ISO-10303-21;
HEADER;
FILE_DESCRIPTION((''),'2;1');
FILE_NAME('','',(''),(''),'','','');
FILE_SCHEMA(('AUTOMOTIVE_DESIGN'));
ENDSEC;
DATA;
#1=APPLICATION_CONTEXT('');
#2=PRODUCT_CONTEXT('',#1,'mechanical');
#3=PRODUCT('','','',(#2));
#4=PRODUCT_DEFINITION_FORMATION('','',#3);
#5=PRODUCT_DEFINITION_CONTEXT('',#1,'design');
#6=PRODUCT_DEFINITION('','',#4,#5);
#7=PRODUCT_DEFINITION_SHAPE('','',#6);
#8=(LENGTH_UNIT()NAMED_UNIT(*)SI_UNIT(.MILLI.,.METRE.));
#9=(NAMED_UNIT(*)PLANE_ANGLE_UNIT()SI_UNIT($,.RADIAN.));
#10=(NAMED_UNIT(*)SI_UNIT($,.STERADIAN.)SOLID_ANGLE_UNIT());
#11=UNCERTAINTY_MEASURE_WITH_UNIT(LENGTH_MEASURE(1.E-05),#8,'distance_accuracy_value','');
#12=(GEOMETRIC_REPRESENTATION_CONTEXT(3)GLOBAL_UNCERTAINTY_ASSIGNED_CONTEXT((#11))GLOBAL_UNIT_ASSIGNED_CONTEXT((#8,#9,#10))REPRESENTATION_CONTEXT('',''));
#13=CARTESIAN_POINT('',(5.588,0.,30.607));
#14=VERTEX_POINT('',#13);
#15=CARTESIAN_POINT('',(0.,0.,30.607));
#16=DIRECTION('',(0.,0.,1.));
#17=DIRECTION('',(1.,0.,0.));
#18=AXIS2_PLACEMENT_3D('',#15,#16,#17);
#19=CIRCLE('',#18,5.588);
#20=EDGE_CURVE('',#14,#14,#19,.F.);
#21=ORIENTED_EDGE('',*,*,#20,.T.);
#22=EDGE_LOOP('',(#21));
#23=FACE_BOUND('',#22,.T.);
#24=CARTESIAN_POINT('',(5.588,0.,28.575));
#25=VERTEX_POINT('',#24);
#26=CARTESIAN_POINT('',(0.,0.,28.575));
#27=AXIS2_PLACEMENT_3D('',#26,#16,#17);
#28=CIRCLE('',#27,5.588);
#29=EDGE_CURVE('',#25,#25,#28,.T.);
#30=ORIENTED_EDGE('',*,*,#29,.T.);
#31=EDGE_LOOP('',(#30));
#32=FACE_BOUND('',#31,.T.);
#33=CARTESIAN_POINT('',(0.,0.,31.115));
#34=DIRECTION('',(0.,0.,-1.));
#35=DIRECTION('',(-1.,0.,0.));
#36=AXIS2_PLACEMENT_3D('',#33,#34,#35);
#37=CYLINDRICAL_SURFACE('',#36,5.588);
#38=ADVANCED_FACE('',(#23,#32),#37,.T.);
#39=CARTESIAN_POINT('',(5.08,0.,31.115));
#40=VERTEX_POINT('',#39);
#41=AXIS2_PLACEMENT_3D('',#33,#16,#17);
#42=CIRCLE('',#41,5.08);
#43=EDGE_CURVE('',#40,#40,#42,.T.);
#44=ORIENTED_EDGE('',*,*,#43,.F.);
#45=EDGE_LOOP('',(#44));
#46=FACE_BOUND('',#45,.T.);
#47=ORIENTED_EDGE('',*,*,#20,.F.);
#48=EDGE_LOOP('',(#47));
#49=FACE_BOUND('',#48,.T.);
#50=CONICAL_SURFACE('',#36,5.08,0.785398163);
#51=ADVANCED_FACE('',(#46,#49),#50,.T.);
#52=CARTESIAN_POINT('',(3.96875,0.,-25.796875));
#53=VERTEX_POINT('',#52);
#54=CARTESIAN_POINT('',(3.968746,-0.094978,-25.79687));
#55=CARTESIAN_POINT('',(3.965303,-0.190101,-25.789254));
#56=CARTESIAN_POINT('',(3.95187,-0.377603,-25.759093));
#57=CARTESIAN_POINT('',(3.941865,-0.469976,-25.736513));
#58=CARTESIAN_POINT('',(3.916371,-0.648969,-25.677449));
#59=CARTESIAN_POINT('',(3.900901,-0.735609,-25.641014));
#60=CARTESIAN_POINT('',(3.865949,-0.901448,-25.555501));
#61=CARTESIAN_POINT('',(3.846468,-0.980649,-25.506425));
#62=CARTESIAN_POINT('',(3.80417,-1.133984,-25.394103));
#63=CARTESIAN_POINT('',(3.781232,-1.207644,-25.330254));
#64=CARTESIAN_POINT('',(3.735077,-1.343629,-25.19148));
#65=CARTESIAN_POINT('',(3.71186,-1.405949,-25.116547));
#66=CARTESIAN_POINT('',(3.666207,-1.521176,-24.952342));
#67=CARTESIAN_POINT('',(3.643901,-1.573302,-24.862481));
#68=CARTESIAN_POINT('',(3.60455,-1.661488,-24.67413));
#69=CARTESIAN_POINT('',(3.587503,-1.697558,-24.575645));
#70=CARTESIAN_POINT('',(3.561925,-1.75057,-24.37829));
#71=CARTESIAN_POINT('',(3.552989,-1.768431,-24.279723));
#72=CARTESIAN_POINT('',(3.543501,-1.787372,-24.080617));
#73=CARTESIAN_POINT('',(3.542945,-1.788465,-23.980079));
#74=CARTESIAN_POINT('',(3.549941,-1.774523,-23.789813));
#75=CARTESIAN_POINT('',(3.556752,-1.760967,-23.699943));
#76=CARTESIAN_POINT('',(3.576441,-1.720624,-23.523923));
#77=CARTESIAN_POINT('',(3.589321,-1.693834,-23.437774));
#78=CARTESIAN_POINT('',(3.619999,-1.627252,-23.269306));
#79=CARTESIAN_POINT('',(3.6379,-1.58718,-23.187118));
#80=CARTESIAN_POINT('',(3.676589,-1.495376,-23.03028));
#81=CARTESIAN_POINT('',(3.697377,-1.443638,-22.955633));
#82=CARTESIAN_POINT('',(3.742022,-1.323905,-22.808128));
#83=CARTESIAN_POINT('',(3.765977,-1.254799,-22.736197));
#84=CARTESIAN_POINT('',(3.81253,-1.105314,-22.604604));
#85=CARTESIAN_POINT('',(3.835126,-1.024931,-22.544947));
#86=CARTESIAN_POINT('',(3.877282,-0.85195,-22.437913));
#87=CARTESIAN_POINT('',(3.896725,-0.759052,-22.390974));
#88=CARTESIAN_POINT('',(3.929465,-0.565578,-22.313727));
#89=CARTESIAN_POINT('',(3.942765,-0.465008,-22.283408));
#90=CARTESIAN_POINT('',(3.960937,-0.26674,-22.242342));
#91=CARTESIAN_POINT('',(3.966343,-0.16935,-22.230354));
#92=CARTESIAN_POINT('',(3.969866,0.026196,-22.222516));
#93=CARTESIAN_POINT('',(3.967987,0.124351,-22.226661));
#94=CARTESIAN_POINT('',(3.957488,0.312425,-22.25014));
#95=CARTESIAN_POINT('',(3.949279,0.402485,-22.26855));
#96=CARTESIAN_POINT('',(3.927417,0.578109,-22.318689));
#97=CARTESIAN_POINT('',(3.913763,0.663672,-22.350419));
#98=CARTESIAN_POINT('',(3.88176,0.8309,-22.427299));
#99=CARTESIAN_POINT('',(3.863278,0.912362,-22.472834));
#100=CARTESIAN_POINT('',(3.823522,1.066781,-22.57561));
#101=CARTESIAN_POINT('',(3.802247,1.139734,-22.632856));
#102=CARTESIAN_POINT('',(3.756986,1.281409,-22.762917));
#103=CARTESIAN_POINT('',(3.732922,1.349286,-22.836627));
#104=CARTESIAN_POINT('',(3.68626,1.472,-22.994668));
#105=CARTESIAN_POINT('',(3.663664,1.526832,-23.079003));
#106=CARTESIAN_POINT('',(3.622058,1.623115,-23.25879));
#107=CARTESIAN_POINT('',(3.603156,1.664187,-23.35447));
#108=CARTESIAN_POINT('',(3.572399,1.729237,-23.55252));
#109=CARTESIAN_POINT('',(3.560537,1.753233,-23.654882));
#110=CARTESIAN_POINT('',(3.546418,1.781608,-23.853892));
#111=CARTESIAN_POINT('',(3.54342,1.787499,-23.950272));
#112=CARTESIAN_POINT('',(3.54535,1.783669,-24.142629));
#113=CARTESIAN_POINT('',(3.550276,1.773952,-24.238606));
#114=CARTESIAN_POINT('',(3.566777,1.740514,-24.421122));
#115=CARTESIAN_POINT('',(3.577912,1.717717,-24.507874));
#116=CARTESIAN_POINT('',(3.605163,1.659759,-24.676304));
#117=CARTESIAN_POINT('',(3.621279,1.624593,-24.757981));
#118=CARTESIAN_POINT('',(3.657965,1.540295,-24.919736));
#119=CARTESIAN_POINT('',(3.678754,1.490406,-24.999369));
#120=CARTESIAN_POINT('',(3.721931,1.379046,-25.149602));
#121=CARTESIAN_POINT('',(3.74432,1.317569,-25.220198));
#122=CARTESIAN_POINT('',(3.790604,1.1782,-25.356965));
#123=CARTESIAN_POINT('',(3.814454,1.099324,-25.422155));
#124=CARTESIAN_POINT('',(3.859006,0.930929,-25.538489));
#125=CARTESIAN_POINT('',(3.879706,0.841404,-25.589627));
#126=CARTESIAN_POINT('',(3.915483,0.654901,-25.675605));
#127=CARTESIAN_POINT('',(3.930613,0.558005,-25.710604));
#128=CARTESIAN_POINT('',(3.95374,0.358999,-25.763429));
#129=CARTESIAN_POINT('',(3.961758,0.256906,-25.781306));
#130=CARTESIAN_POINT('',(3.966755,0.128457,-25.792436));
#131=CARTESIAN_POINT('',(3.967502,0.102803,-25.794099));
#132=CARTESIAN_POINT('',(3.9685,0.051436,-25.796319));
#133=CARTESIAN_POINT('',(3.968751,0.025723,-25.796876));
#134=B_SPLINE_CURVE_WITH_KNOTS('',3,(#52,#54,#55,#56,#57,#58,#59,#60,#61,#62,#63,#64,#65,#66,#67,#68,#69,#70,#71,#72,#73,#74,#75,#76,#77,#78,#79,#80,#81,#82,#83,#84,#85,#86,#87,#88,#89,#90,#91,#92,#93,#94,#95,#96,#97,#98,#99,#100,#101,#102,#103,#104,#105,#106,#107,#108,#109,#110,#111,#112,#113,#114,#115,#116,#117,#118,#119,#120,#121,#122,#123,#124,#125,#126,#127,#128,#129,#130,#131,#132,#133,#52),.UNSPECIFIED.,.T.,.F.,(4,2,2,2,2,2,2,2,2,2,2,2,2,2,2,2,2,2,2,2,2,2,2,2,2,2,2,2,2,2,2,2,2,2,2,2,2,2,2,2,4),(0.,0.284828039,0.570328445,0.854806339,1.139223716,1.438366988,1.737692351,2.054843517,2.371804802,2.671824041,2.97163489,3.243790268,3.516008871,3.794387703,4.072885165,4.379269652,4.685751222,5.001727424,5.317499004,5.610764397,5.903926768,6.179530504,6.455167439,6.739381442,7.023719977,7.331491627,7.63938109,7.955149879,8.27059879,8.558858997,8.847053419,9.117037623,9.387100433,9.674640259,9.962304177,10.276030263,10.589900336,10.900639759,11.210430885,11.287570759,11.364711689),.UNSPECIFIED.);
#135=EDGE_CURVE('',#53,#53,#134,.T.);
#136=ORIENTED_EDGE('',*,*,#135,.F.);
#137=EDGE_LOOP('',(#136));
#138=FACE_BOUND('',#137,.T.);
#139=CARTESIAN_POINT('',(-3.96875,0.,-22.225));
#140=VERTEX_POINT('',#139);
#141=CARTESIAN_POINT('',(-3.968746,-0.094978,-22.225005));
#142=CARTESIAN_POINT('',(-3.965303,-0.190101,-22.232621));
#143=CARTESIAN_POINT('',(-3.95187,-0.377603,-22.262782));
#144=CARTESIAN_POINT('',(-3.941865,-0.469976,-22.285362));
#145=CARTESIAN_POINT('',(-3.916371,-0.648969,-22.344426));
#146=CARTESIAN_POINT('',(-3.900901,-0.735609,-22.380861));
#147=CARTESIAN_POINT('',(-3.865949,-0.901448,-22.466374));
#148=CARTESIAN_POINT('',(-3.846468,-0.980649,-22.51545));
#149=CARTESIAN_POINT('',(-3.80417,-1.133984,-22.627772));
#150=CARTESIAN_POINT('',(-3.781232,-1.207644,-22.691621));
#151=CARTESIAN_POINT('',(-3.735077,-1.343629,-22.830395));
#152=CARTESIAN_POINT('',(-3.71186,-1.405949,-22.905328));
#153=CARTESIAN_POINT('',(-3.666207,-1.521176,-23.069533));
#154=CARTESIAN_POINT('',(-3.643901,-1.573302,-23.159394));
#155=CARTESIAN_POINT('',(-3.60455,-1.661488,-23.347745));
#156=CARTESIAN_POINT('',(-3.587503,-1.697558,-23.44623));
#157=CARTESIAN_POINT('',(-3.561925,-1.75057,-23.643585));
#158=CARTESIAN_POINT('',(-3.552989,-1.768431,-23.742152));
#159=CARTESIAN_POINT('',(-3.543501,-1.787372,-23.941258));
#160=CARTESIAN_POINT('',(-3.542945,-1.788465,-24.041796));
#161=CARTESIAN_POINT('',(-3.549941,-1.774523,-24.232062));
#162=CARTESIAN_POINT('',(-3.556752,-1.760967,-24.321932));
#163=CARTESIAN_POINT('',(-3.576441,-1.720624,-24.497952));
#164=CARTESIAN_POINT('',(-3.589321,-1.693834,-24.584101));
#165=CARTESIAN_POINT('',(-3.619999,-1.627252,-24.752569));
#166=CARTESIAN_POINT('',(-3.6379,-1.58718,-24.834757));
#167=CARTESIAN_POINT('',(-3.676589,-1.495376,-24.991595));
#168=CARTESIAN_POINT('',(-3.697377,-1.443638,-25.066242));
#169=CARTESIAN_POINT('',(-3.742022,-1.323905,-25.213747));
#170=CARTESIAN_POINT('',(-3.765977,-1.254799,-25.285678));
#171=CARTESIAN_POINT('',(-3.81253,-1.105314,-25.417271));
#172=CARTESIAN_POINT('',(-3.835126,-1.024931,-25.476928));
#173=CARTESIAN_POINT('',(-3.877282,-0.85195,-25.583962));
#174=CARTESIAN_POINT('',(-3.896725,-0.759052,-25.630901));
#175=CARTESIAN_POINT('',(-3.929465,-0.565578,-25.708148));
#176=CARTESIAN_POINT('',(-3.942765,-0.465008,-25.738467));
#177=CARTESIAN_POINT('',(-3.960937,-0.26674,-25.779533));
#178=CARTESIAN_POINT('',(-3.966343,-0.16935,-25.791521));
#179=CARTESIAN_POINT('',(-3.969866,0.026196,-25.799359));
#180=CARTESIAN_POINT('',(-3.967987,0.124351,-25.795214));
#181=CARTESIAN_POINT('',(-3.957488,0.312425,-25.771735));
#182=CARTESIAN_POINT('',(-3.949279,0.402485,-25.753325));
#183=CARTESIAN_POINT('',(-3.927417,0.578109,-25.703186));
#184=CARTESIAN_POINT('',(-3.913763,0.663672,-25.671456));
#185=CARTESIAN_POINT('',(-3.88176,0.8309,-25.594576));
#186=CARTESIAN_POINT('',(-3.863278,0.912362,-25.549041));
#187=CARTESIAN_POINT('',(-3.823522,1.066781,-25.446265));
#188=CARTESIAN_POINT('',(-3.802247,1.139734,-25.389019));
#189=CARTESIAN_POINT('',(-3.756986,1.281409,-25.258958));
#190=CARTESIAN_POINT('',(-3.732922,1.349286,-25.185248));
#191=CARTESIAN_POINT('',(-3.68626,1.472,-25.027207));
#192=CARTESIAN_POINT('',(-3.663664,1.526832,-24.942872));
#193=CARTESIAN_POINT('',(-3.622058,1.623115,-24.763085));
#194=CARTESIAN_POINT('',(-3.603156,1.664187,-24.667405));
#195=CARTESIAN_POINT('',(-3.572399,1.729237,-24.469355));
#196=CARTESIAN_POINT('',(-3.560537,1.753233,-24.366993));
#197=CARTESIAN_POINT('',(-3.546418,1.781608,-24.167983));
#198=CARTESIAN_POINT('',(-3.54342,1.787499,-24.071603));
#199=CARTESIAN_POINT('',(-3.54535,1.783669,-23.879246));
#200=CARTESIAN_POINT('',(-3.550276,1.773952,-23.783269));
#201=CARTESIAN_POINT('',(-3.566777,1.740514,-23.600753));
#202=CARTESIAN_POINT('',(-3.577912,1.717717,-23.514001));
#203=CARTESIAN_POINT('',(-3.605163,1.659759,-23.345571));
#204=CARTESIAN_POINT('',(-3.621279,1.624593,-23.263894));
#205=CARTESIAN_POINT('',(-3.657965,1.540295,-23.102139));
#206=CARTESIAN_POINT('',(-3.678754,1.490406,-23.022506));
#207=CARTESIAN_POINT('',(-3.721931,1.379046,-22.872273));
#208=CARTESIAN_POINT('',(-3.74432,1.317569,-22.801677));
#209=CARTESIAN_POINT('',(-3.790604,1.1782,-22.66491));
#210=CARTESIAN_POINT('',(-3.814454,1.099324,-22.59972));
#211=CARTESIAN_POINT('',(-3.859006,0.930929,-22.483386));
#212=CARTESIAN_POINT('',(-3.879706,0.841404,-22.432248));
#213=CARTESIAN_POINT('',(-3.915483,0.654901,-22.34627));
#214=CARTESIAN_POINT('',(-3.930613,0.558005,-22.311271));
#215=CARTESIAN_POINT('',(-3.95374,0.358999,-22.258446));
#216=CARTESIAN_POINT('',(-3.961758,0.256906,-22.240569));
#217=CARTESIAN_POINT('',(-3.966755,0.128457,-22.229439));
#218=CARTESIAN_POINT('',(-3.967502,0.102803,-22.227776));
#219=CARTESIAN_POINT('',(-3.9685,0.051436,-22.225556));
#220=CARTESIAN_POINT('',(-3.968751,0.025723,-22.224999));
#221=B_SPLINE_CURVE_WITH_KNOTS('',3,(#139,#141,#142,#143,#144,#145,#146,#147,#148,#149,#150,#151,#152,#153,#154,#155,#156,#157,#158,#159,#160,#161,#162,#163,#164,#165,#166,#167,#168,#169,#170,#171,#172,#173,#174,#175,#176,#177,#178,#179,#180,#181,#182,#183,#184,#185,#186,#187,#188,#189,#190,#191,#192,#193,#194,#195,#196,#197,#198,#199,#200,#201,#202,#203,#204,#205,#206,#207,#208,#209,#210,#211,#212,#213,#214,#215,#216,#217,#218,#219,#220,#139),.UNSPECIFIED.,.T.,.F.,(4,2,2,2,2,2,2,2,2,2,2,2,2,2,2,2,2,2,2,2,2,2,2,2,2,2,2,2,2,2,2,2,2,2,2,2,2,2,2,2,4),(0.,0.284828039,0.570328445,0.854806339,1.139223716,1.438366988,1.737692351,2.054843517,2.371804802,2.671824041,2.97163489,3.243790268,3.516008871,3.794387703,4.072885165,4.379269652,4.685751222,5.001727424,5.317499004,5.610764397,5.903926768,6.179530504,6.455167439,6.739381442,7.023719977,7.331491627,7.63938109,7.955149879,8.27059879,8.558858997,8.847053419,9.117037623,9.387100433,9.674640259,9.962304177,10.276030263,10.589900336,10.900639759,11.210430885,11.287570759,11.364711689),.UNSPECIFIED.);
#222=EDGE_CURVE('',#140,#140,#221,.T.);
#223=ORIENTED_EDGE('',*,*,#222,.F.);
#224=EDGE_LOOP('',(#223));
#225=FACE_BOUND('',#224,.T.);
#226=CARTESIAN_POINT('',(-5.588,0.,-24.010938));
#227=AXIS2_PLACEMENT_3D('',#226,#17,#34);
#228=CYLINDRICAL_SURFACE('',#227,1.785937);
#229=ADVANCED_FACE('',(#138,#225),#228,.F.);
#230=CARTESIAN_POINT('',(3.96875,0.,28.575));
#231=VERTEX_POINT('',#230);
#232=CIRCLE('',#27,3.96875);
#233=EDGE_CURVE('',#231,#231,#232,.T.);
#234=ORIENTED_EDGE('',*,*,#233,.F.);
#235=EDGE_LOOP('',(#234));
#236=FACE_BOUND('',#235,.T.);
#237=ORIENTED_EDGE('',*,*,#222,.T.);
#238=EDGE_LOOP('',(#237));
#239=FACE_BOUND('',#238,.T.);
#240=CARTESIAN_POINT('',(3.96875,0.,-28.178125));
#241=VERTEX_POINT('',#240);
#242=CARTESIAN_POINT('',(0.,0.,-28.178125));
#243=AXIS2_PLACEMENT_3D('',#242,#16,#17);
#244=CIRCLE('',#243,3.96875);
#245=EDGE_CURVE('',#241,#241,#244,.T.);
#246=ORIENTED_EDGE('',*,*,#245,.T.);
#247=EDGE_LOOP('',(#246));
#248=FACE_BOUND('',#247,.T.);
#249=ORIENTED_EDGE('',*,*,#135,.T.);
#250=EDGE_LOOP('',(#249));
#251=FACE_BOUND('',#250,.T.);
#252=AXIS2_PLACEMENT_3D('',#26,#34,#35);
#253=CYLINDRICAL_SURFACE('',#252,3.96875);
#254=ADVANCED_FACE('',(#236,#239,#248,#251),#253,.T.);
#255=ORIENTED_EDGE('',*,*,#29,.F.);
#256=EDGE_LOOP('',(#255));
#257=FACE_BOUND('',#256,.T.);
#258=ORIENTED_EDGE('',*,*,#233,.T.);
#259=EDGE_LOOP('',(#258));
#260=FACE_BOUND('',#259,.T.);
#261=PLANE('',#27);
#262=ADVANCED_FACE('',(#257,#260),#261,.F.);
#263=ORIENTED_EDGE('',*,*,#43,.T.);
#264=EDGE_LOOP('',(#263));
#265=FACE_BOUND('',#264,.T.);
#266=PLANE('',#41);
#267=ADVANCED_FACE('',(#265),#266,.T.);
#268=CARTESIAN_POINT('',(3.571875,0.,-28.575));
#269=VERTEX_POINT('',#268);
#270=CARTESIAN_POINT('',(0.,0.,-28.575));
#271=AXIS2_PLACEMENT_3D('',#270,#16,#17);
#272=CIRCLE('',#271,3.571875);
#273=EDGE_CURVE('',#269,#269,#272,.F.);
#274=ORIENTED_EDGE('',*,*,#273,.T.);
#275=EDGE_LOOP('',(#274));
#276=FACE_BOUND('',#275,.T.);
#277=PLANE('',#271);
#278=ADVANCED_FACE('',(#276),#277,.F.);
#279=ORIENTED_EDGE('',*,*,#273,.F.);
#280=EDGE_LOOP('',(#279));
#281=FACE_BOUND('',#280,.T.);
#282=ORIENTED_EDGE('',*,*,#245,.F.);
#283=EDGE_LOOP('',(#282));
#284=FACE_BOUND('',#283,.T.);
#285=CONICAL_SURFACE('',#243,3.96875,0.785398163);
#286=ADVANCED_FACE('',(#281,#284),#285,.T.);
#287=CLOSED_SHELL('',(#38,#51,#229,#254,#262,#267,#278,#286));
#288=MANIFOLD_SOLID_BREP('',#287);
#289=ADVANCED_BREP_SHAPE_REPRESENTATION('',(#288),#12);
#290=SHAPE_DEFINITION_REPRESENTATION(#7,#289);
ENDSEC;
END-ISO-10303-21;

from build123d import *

# Parameters (mm, degrees)
SKETCH1_R           = 3.96875
EXTRUDE1_DEPTH      = 28.575
SKETCH2_R           = 5.588
EXTRUDE2_DEPTH      = 2.54
CHAMFER1_SIZE       = 0.508
EXTRUDE3_DEPTH      = 33.102877021
EXTRUDE3_DEPTH_BACK = 33.102877021
SKETCH3_R           = 1.7859375
CHAMFER2_SIZE       = 0.396875


with BuildPart() as part:
    # Sketch1 → Extrude1 (new, symmetric)
    with BuildSketch(Plane.XY):
        Circle(SKETCH1_R)
    extrude(amount=EXTRUDE1_DEPTH, both=True)

    # Sketch2 → Extrude2 (add)
    with BuildSketch(Plane.XY.offset(28.575)):
        Circle(SKETCH2_R)
    extrude(amount=EXTRUDE2_DEPTH)

    # Chamfer1
    chamfer1_edges = [part.edges().sort_by_distance(p)[0] for p in [
        (-5.588, 0, 31.115),
    ]]
    chamfer(chamfer1_edges, length=CHAMFER1_SIZE)

    # Sketch3 → Extrude3 (cut, two sides: drawn at the far end of the back side and taken through both)
    with BuildSketch(Plane(origin=(0, 0, 0), x_dir=(0, 0, -1), z_dir=(1, 0, 0)).offset(-EXTRUDE3_DEPTH_BACK)):
        with Locations(Location((24.0109375, 0, 0), (0, 0, 179.999999999))):
            Circle(SKETCH3_R)
    extrude(amount=EXTRUDE3_DEPTH + EXTRUDE3_DEPTH_BACK, mode=Mode.SUBTRACT)

    # Chamfer2
    chamfer2_edges = [part.edges().sort_by_distance(p)[0] for p in [
        (-3.96875, 0, -28.575),
    ]]
    chamfer(chamfer2_edges, length=CHAMFER2_SIZE)


solid = part.part
